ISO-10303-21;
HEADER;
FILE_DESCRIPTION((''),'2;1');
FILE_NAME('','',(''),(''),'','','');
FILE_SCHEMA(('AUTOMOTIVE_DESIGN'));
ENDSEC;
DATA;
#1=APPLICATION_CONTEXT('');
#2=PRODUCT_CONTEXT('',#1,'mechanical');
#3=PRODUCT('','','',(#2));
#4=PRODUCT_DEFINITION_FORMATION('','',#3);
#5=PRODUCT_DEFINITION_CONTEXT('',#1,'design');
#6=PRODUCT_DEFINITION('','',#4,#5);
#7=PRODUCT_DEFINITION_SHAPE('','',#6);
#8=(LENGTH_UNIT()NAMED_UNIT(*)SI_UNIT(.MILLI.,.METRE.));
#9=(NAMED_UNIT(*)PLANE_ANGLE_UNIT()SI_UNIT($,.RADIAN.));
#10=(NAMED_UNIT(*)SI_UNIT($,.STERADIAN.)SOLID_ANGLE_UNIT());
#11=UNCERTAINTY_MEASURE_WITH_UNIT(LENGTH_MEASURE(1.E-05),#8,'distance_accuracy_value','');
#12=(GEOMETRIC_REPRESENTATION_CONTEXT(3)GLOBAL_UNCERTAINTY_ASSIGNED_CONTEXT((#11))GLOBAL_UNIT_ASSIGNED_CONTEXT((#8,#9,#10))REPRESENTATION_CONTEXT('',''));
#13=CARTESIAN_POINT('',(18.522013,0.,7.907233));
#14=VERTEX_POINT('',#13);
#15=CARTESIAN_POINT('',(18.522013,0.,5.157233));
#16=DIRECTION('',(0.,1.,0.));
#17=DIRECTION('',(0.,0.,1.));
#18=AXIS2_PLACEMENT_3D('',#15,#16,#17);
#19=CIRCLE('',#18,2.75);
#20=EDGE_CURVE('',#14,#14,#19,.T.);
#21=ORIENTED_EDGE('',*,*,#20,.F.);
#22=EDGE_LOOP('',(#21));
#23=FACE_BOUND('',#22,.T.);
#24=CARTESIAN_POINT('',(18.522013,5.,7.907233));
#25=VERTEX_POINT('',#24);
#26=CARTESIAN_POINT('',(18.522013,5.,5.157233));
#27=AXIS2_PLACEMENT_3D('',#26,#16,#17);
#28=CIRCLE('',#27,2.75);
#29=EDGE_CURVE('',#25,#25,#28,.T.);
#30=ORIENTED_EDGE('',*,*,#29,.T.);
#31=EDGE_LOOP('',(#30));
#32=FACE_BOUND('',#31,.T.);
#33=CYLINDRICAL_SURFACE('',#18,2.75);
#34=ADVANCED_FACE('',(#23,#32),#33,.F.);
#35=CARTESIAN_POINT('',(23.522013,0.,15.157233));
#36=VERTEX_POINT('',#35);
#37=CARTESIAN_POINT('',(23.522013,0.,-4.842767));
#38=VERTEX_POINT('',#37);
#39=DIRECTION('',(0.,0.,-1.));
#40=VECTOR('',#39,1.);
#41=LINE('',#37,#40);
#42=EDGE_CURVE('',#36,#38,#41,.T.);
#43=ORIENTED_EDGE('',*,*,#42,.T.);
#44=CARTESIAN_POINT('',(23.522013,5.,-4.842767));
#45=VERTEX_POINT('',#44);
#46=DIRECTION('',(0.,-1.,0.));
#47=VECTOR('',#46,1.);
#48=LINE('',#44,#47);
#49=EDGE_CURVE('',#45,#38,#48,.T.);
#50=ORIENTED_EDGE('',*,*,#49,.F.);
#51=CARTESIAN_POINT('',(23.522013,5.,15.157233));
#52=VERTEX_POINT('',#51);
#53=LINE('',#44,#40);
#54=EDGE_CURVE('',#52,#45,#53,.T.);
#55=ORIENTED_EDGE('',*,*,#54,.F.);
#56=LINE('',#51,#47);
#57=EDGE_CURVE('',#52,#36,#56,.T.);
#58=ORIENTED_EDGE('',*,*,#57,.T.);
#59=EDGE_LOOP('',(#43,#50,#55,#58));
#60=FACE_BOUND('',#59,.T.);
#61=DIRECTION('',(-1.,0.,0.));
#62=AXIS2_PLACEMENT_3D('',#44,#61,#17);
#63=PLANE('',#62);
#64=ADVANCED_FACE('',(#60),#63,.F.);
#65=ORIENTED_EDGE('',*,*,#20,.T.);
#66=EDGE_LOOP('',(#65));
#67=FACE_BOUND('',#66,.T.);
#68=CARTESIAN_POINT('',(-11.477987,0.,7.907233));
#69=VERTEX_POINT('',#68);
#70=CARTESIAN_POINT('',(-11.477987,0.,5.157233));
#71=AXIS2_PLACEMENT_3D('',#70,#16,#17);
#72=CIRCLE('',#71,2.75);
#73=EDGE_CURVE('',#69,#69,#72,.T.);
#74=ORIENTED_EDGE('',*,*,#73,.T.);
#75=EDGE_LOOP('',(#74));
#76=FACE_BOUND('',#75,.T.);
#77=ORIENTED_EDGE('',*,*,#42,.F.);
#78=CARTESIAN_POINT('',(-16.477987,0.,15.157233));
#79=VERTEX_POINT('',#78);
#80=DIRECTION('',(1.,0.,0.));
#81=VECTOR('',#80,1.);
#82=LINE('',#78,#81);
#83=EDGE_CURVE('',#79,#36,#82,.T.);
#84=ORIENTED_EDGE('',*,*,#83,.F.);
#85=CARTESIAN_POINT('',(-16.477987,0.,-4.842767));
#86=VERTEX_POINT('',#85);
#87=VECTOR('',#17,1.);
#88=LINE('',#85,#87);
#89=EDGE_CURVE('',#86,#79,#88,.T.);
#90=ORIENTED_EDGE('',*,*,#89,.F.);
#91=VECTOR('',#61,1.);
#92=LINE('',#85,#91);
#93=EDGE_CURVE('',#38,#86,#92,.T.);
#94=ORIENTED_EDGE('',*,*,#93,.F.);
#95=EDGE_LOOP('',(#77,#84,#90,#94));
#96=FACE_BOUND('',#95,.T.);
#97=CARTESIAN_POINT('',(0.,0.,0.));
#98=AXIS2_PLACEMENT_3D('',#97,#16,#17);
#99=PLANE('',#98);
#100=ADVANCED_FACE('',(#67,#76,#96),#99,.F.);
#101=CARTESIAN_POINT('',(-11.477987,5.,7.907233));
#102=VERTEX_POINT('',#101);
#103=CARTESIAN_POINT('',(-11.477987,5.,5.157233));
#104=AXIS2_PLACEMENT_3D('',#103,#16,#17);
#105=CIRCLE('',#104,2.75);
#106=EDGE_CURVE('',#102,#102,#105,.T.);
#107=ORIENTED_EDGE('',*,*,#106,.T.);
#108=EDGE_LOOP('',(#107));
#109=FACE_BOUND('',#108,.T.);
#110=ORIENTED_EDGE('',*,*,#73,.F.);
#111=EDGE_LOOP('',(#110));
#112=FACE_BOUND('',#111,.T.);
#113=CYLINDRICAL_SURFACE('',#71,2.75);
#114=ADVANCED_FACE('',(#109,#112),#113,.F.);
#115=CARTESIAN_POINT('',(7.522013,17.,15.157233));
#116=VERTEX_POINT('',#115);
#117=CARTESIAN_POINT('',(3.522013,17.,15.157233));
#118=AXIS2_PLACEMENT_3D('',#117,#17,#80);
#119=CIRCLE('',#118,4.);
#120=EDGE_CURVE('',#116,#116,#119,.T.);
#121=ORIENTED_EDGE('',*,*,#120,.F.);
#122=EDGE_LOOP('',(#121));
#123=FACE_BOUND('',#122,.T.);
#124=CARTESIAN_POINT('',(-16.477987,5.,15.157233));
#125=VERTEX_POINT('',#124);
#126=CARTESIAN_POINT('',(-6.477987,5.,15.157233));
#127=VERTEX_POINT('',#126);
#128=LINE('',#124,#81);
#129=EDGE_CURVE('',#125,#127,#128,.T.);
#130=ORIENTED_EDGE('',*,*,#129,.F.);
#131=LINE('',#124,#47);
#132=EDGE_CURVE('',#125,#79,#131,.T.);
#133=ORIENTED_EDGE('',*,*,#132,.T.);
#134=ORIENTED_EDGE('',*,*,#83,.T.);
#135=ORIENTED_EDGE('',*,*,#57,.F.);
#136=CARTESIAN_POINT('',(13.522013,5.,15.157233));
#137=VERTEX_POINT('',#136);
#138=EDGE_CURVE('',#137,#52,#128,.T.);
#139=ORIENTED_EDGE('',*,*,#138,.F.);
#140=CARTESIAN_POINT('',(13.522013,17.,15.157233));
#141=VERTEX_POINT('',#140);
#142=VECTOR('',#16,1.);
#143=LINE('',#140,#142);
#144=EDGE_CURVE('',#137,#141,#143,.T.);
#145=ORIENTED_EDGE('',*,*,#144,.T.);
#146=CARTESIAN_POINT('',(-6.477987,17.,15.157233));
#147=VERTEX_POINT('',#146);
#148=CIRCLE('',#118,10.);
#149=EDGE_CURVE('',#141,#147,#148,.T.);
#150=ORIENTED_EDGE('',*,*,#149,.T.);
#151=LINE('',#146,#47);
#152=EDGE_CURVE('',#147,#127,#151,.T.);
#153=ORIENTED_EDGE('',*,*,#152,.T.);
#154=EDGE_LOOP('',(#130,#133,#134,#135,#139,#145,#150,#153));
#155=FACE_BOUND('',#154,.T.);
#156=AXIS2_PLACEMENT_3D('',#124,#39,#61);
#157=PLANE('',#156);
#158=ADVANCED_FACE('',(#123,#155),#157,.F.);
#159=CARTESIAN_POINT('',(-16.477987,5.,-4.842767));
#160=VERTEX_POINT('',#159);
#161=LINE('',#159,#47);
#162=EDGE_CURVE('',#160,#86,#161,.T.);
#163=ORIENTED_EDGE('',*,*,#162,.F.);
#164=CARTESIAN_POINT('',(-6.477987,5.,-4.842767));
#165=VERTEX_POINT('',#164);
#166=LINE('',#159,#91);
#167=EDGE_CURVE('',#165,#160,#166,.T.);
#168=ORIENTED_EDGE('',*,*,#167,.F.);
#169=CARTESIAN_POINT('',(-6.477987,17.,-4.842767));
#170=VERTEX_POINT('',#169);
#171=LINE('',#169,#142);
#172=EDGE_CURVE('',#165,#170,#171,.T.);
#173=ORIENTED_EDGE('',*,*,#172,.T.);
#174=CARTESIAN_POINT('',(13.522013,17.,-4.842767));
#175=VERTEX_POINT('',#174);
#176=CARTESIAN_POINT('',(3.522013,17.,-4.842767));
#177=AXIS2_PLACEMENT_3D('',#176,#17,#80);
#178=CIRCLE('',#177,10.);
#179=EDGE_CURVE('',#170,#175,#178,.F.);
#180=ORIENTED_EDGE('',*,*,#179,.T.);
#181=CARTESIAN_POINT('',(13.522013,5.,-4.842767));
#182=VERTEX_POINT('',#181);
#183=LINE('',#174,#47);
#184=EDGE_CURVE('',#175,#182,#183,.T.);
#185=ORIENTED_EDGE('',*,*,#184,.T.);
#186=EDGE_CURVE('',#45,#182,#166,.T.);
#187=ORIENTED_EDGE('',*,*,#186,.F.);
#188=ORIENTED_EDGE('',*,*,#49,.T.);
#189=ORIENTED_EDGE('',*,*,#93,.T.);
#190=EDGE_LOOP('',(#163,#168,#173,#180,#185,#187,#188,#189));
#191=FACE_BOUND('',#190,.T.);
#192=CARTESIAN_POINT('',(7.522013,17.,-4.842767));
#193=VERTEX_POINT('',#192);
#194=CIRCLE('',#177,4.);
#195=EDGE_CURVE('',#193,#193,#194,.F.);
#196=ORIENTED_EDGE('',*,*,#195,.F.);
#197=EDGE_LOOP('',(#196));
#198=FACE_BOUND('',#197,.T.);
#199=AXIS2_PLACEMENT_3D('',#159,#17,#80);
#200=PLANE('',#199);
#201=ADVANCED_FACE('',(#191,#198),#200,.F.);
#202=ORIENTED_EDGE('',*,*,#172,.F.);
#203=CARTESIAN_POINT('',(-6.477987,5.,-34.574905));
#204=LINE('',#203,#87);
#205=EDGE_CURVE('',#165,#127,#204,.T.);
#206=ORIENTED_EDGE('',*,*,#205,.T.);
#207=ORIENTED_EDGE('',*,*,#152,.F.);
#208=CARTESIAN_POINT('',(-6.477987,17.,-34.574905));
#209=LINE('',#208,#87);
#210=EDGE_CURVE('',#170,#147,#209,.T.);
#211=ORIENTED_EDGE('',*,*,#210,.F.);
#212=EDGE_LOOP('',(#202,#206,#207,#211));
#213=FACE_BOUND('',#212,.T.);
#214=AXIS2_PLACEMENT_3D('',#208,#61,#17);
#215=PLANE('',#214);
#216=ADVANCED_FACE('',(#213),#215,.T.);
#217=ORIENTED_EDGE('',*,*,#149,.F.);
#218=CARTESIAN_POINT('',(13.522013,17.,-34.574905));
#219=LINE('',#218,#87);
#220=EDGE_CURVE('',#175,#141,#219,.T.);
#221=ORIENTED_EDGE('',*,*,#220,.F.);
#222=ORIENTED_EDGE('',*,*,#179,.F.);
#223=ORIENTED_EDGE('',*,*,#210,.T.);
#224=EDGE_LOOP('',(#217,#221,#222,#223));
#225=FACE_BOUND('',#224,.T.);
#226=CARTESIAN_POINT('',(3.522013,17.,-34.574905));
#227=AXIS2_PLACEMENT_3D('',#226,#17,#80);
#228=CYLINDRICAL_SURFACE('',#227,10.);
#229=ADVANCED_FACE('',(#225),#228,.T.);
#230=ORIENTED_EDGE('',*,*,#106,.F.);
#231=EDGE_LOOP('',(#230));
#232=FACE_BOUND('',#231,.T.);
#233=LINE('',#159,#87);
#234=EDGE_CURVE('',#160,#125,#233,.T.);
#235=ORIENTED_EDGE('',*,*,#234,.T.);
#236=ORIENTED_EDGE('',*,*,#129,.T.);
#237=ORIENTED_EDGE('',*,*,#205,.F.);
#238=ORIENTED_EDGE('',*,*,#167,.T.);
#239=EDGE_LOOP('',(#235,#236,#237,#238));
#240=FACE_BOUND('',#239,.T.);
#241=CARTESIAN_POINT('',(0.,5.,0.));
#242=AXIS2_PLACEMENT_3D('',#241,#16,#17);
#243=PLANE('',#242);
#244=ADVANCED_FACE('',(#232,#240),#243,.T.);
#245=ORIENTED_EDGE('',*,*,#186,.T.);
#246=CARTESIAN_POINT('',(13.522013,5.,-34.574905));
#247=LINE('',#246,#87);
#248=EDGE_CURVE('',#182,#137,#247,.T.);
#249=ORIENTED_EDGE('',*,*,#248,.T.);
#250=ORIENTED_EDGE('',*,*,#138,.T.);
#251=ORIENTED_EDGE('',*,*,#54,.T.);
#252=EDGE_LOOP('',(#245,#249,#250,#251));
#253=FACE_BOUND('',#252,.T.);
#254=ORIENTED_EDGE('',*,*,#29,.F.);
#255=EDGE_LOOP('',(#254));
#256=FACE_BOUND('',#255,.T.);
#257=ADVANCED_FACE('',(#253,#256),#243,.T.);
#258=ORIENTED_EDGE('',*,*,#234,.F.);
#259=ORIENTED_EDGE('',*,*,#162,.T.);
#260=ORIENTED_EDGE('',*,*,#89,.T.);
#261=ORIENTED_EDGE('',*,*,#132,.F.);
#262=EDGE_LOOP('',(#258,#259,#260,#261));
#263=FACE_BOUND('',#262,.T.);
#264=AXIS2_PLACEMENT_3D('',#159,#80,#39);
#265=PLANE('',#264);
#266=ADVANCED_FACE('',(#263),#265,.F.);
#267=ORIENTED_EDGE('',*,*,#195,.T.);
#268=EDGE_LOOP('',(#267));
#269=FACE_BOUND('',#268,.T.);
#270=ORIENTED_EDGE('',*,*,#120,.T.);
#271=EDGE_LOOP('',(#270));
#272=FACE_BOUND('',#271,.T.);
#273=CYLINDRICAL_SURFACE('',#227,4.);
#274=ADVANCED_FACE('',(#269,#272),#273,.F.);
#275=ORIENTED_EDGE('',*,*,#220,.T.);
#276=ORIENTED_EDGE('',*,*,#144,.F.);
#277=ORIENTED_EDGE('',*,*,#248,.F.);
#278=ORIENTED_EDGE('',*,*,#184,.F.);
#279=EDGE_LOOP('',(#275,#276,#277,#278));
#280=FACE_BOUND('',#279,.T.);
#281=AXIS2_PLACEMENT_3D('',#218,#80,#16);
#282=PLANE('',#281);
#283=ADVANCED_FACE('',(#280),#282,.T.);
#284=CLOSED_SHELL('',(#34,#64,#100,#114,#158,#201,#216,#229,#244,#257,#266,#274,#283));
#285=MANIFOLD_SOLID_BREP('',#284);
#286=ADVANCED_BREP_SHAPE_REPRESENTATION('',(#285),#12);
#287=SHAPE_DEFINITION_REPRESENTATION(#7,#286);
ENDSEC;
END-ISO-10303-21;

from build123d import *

# Parameters (mm, degrees)
SKETCH_1_W          = 40
SKETCH_1_H          = 20
EXTRUDE_1_DEPTH     = 5
SKETCH_2_R          = 4
EXTRUDE_2_DEPTH     = 20
SKETCH_3_R          = 2.75
CUT_EXTRUDE_1_DEPTH = 36.595319622


with BuildPart() as part:
    # 草图1 → 凸台-拉伸1 (new body)
    with BuildSketch(Plane(origin=(0, 0, 0), x_dir=(1, 0, 0), z_dir=(0, 1, 0))):
        with Locations((3.522012579, -5.157232704)):
            Rectangle(SKETCH_1_W, SKETCH_1_H)
    extrude(amount=EXTRUDE_1_DEPTH)

    # 草图2 → 凸台-拉伸2 (add)
    with BuildSketch(Plane.XY.offset(15.157232704)):
        with BuildLine():
            Line((-6.477987421, 17), (-6.477987421, 5))
            Line((-6.477987421, 5), (13.522012579, 5))
            Line((13.522012579, 5), (13.522012579, 17))
            ThreePointArc((13.522012579, 17), (3.522012579, 27), (-6.477987421, 17))
        make_face()
        with Locations((3.522012579, 17)):
            Circle(SKETCH_2_R, mode=Mode.SUBTRACT)
    extrude(amount=-EXTRUDE_2_DEPTH)

    # 草图3 → 切除-拉伸1 (cut, through all)
    with BuildSketch(Plane(origin=(0, 5, 0), x_dir=(1, 0, 0), z_dir=(0, 1, 0))):
        with Locations(Location((-11.477987421, -5.157232704, 0), (0, 0, 270))):
            Circle(SKETCH_3_R)
        with Locations(Location((18.522012579, -5.157232704, 0), (0, 0, 270))):
            Circle(SKETCH_3_R)
    extrude(amount=-CUT_EXTRUDE_1_DEPTH, mode=Mode.SUBTRACT)


solid = part.part
